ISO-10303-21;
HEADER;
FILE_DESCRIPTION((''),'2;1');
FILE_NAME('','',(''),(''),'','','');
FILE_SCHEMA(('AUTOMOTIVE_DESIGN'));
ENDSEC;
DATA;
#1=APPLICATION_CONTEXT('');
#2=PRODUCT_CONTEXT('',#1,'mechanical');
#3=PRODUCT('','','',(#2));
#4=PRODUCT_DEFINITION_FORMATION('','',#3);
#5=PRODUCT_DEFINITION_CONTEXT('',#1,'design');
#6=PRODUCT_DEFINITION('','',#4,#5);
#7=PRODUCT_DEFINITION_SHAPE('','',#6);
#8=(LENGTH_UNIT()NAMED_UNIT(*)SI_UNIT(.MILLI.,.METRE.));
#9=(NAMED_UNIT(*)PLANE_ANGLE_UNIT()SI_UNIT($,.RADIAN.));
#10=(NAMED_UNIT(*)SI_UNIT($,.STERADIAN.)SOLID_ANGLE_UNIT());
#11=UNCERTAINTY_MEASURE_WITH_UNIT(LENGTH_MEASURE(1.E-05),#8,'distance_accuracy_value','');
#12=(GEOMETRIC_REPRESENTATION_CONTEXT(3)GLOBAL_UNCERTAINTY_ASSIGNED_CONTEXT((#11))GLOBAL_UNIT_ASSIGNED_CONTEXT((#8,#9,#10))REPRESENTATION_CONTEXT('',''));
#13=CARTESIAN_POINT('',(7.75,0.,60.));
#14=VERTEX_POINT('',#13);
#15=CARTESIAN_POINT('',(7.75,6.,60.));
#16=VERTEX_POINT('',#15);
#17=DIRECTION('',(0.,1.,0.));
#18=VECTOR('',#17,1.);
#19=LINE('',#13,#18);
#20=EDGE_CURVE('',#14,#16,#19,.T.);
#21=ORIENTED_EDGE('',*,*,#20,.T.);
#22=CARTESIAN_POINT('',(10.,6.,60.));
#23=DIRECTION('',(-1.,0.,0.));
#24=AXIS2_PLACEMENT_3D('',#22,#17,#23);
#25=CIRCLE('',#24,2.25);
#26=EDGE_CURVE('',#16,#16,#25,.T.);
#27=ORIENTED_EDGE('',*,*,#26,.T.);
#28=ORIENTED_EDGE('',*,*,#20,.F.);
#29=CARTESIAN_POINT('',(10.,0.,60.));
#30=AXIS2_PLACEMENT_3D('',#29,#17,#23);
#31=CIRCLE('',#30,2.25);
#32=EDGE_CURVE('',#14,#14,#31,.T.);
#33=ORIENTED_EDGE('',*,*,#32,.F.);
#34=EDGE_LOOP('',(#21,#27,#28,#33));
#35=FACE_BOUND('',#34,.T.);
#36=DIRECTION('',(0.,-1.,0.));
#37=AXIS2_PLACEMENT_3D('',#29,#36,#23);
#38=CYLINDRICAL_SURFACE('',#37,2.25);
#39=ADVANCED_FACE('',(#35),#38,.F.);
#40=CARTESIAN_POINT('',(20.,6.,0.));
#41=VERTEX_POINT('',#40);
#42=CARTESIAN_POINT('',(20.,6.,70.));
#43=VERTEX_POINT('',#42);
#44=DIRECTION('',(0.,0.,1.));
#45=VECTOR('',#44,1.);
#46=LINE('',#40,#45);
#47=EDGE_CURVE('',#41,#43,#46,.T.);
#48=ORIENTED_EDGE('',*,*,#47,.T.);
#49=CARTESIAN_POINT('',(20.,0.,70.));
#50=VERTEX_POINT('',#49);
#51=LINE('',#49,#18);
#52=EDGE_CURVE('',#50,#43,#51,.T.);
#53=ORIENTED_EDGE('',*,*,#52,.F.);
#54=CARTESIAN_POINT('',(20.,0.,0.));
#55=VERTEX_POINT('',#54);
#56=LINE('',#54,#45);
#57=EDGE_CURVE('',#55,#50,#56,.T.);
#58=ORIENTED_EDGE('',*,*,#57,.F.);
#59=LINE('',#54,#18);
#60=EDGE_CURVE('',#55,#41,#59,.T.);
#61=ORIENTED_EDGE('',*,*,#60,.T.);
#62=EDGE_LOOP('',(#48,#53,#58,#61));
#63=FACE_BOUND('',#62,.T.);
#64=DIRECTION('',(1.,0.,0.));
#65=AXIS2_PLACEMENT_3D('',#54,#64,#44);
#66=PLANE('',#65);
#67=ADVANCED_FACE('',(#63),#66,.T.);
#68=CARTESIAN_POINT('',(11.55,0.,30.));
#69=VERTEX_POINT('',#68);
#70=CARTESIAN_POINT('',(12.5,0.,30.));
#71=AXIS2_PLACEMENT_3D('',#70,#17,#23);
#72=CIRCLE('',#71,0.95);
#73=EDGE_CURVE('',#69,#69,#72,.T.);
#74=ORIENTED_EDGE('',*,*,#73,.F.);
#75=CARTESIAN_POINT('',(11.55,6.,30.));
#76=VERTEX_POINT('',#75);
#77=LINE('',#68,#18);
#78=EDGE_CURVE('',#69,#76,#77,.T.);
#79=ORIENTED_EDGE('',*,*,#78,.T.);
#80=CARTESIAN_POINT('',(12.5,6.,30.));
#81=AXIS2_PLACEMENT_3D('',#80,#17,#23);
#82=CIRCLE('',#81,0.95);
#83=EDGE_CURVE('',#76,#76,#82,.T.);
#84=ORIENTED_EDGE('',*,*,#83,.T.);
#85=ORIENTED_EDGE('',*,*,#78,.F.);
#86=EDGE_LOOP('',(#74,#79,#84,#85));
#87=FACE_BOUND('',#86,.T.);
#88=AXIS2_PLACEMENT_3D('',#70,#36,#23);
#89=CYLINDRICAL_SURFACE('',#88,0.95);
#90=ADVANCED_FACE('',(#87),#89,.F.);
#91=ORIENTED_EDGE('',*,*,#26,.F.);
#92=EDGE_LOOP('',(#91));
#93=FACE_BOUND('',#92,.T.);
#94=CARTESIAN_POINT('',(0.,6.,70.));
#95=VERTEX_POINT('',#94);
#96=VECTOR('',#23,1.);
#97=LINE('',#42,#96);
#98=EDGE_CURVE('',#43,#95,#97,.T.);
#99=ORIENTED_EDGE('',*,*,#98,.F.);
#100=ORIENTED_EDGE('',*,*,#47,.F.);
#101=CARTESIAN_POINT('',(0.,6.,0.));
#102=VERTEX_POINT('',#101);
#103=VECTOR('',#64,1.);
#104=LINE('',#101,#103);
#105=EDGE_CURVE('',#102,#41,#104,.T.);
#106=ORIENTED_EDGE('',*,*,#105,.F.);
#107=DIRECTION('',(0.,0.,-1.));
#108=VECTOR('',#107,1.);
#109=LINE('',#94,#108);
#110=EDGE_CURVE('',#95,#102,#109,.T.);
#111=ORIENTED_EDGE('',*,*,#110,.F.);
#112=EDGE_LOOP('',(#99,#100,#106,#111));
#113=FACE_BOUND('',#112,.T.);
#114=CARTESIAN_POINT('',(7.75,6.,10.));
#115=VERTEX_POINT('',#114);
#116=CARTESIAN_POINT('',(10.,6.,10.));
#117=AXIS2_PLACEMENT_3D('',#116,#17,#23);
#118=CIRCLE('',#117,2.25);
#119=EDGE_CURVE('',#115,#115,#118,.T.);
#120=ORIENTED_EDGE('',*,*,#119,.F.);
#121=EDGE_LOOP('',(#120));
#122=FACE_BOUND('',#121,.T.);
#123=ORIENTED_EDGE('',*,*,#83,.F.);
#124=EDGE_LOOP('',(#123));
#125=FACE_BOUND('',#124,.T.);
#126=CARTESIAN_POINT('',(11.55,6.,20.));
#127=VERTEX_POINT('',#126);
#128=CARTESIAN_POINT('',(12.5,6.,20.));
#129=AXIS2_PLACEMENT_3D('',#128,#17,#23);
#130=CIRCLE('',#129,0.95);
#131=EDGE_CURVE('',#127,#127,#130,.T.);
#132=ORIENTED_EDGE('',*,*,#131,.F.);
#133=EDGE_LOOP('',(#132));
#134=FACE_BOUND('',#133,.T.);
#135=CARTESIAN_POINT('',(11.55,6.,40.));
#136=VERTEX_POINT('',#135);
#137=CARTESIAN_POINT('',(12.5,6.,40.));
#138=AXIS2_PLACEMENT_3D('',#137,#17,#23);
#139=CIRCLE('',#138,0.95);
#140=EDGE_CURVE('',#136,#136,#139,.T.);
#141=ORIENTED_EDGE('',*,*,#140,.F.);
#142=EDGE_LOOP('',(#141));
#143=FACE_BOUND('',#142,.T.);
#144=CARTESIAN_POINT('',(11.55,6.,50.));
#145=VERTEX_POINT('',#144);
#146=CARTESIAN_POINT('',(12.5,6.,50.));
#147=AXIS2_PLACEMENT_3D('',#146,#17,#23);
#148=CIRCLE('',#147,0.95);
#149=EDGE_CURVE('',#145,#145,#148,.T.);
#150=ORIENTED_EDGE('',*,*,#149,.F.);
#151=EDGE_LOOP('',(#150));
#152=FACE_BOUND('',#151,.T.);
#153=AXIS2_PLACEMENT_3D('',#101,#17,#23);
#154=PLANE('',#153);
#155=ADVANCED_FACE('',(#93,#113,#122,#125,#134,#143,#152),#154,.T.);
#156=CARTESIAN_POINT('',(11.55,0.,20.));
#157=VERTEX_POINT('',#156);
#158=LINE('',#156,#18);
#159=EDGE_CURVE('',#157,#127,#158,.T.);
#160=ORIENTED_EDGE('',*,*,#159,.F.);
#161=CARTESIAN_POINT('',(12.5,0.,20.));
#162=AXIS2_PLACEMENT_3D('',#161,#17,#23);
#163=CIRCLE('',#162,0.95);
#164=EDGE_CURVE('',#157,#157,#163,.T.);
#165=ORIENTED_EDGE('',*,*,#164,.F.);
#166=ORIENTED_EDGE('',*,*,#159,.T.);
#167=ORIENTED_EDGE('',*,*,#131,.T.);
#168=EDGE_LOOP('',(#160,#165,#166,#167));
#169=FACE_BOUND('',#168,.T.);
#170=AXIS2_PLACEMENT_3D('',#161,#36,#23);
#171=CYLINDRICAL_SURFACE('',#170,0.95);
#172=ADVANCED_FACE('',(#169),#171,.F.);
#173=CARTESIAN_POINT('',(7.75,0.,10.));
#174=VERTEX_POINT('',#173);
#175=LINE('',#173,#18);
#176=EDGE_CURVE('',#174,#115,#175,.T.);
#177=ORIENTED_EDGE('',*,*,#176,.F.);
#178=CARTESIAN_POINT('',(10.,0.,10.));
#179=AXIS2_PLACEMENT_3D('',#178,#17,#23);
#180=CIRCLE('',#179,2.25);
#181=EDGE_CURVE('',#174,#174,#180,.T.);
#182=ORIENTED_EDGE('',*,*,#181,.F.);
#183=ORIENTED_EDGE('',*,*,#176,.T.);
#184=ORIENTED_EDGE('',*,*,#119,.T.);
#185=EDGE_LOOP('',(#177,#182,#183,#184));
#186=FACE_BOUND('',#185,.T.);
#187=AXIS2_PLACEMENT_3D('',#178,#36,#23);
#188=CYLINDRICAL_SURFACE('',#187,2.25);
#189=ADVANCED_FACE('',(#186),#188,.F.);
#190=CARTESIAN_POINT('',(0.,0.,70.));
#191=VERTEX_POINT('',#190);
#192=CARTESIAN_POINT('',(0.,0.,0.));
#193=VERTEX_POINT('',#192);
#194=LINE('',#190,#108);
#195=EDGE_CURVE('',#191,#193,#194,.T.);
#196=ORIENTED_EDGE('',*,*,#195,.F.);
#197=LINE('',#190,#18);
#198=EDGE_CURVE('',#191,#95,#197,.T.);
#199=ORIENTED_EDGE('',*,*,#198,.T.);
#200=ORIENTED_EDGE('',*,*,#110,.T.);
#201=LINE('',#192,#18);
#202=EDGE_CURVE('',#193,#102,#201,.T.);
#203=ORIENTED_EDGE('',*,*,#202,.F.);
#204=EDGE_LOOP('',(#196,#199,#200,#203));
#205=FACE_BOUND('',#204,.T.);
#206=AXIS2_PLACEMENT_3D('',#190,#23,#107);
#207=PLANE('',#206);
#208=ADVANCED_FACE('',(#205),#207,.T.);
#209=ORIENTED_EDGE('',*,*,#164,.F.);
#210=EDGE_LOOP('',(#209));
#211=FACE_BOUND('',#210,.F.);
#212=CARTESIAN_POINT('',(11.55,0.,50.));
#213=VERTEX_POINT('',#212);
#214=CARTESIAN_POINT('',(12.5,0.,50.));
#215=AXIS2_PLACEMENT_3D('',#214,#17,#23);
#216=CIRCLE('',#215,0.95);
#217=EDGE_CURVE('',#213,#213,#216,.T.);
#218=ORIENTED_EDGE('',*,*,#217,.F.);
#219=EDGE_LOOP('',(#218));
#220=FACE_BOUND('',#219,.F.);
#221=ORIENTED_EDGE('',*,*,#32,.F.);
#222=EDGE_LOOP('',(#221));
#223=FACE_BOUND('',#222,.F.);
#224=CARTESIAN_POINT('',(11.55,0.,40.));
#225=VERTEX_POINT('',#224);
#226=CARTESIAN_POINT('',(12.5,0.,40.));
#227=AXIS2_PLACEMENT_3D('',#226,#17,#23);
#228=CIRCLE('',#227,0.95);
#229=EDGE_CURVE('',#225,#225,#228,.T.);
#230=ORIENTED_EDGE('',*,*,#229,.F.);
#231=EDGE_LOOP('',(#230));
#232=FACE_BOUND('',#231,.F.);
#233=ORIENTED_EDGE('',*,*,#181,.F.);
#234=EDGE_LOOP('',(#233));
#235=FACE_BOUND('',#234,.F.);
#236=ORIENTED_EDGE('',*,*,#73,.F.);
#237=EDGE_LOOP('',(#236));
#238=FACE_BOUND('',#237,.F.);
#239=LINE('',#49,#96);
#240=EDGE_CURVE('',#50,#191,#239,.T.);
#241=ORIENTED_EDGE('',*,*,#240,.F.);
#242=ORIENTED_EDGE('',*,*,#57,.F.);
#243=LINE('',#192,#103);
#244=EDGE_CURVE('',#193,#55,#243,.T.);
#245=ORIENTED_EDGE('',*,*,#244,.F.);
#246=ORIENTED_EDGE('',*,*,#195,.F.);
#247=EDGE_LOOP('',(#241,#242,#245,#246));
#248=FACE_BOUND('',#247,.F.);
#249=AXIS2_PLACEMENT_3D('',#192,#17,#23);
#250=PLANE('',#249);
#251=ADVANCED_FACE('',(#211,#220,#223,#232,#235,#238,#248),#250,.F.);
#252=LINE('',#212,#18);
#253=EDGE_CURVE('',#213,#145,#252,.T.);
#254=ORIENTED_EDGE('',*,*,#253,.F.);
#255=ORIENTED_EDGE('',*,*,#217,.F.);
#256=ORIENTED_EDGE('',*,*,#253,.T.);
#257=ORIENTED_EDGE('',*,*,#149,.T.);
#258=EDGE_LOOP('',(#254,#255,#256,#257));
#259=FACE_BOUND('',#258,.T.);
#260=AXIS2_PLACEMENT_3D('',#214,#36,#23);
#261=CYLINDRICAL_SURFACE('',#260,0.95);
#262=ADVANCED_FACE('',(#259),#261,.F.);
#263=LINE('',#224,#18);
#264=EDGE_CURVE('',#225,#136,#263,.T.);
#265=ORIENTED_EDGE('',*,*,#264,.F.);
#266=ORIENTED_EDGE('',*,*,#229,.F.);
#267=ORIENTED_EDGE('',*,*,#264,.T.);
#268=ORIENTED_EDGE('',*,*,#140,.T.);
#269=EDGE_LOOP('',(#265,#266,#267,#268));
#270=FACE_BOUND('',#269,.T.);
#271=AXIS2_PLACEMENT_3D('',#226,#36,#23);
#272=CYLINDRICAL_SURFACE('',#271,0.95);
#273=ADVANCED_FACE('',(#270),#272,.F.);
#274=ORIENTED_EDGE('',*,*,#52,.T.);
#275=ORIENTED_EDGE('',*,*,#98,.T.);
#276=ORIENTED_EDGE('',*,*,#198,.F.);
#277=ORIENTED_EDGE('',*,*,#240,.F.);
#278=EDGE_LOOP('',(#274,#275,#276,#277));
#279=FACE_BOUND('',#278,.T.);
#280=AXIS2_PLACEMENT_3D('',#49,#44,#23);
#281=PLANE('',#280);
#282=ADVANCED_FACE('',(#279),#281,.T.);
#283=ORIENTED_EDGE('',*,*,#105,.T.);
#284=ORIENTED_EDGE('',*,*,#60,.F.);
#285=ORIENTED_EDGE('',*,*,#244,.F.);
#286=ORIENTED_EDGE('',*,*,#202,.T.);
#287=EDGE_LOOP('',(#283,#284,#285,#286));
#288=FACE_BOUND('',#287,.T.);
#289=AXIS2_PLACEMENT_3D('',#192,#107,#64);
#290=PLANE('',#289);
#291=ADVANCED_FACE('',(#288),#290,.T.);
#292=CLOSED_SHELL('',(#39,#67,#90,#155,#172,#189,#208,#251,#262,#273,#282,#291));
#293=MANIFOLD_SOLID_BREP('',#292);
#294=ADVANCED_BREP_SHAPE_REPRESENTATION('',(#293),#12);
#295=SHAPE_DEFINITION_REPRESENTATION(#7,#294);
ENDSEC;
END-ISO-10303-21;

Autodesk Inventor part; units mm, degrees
ref_plane "YZ Plane" through (0, 0, 0) normal (1, 0, 0) x (0, 1, 0)
ref_plane "XZ Plane" through (0, 0, 0) normal (0, 1, 0) x (-1, 0, 0)
ref_plane "XY Plane" through (0, 0, 0) normal (0, 0, 1) x (1, 0, 0)
sketch "Sketch2" plane through (0, 0, 0) normal (0, 1, 0) x (-1, 0, 0)
  line L0 (0, 0) -> (-20, 0)
  line L1 (-20, 0) -> (-20, 70)
  line L2 (-20, 70) -> (0, 70)
  line L3 (0, 70) -> (0, 0)
  circle A0 centre (-10, 10) radius 2.25
  circle A1 centre (-10, 60) radius 2.25
  circle A2 centre (-12.5, 20) radius 0.95
  circle A3 centre (-12.5, 30) radius 0.95
  circle A4 centre (-12.5, 40) radius 0.95
  circle A5 centre (-12.5, 50) radius 0.95
  dimension "d76" = 20
  dimension "d78" = 10
  dimension "d79" = 50
  dimension "d80" = 10
  dimension "d81" = 4.5
  dimension "d82" = 10
  dimension "d83" = 1.9
  dimension "d86" = 10
  dimension "d91" = 10
  dimension "d92" = 7.5
extrude "Extrusion2" add sketch "Sketch2" along normal blind 6
properties part number "phone_holder_top_cap" material "Acrylic, Clear"
